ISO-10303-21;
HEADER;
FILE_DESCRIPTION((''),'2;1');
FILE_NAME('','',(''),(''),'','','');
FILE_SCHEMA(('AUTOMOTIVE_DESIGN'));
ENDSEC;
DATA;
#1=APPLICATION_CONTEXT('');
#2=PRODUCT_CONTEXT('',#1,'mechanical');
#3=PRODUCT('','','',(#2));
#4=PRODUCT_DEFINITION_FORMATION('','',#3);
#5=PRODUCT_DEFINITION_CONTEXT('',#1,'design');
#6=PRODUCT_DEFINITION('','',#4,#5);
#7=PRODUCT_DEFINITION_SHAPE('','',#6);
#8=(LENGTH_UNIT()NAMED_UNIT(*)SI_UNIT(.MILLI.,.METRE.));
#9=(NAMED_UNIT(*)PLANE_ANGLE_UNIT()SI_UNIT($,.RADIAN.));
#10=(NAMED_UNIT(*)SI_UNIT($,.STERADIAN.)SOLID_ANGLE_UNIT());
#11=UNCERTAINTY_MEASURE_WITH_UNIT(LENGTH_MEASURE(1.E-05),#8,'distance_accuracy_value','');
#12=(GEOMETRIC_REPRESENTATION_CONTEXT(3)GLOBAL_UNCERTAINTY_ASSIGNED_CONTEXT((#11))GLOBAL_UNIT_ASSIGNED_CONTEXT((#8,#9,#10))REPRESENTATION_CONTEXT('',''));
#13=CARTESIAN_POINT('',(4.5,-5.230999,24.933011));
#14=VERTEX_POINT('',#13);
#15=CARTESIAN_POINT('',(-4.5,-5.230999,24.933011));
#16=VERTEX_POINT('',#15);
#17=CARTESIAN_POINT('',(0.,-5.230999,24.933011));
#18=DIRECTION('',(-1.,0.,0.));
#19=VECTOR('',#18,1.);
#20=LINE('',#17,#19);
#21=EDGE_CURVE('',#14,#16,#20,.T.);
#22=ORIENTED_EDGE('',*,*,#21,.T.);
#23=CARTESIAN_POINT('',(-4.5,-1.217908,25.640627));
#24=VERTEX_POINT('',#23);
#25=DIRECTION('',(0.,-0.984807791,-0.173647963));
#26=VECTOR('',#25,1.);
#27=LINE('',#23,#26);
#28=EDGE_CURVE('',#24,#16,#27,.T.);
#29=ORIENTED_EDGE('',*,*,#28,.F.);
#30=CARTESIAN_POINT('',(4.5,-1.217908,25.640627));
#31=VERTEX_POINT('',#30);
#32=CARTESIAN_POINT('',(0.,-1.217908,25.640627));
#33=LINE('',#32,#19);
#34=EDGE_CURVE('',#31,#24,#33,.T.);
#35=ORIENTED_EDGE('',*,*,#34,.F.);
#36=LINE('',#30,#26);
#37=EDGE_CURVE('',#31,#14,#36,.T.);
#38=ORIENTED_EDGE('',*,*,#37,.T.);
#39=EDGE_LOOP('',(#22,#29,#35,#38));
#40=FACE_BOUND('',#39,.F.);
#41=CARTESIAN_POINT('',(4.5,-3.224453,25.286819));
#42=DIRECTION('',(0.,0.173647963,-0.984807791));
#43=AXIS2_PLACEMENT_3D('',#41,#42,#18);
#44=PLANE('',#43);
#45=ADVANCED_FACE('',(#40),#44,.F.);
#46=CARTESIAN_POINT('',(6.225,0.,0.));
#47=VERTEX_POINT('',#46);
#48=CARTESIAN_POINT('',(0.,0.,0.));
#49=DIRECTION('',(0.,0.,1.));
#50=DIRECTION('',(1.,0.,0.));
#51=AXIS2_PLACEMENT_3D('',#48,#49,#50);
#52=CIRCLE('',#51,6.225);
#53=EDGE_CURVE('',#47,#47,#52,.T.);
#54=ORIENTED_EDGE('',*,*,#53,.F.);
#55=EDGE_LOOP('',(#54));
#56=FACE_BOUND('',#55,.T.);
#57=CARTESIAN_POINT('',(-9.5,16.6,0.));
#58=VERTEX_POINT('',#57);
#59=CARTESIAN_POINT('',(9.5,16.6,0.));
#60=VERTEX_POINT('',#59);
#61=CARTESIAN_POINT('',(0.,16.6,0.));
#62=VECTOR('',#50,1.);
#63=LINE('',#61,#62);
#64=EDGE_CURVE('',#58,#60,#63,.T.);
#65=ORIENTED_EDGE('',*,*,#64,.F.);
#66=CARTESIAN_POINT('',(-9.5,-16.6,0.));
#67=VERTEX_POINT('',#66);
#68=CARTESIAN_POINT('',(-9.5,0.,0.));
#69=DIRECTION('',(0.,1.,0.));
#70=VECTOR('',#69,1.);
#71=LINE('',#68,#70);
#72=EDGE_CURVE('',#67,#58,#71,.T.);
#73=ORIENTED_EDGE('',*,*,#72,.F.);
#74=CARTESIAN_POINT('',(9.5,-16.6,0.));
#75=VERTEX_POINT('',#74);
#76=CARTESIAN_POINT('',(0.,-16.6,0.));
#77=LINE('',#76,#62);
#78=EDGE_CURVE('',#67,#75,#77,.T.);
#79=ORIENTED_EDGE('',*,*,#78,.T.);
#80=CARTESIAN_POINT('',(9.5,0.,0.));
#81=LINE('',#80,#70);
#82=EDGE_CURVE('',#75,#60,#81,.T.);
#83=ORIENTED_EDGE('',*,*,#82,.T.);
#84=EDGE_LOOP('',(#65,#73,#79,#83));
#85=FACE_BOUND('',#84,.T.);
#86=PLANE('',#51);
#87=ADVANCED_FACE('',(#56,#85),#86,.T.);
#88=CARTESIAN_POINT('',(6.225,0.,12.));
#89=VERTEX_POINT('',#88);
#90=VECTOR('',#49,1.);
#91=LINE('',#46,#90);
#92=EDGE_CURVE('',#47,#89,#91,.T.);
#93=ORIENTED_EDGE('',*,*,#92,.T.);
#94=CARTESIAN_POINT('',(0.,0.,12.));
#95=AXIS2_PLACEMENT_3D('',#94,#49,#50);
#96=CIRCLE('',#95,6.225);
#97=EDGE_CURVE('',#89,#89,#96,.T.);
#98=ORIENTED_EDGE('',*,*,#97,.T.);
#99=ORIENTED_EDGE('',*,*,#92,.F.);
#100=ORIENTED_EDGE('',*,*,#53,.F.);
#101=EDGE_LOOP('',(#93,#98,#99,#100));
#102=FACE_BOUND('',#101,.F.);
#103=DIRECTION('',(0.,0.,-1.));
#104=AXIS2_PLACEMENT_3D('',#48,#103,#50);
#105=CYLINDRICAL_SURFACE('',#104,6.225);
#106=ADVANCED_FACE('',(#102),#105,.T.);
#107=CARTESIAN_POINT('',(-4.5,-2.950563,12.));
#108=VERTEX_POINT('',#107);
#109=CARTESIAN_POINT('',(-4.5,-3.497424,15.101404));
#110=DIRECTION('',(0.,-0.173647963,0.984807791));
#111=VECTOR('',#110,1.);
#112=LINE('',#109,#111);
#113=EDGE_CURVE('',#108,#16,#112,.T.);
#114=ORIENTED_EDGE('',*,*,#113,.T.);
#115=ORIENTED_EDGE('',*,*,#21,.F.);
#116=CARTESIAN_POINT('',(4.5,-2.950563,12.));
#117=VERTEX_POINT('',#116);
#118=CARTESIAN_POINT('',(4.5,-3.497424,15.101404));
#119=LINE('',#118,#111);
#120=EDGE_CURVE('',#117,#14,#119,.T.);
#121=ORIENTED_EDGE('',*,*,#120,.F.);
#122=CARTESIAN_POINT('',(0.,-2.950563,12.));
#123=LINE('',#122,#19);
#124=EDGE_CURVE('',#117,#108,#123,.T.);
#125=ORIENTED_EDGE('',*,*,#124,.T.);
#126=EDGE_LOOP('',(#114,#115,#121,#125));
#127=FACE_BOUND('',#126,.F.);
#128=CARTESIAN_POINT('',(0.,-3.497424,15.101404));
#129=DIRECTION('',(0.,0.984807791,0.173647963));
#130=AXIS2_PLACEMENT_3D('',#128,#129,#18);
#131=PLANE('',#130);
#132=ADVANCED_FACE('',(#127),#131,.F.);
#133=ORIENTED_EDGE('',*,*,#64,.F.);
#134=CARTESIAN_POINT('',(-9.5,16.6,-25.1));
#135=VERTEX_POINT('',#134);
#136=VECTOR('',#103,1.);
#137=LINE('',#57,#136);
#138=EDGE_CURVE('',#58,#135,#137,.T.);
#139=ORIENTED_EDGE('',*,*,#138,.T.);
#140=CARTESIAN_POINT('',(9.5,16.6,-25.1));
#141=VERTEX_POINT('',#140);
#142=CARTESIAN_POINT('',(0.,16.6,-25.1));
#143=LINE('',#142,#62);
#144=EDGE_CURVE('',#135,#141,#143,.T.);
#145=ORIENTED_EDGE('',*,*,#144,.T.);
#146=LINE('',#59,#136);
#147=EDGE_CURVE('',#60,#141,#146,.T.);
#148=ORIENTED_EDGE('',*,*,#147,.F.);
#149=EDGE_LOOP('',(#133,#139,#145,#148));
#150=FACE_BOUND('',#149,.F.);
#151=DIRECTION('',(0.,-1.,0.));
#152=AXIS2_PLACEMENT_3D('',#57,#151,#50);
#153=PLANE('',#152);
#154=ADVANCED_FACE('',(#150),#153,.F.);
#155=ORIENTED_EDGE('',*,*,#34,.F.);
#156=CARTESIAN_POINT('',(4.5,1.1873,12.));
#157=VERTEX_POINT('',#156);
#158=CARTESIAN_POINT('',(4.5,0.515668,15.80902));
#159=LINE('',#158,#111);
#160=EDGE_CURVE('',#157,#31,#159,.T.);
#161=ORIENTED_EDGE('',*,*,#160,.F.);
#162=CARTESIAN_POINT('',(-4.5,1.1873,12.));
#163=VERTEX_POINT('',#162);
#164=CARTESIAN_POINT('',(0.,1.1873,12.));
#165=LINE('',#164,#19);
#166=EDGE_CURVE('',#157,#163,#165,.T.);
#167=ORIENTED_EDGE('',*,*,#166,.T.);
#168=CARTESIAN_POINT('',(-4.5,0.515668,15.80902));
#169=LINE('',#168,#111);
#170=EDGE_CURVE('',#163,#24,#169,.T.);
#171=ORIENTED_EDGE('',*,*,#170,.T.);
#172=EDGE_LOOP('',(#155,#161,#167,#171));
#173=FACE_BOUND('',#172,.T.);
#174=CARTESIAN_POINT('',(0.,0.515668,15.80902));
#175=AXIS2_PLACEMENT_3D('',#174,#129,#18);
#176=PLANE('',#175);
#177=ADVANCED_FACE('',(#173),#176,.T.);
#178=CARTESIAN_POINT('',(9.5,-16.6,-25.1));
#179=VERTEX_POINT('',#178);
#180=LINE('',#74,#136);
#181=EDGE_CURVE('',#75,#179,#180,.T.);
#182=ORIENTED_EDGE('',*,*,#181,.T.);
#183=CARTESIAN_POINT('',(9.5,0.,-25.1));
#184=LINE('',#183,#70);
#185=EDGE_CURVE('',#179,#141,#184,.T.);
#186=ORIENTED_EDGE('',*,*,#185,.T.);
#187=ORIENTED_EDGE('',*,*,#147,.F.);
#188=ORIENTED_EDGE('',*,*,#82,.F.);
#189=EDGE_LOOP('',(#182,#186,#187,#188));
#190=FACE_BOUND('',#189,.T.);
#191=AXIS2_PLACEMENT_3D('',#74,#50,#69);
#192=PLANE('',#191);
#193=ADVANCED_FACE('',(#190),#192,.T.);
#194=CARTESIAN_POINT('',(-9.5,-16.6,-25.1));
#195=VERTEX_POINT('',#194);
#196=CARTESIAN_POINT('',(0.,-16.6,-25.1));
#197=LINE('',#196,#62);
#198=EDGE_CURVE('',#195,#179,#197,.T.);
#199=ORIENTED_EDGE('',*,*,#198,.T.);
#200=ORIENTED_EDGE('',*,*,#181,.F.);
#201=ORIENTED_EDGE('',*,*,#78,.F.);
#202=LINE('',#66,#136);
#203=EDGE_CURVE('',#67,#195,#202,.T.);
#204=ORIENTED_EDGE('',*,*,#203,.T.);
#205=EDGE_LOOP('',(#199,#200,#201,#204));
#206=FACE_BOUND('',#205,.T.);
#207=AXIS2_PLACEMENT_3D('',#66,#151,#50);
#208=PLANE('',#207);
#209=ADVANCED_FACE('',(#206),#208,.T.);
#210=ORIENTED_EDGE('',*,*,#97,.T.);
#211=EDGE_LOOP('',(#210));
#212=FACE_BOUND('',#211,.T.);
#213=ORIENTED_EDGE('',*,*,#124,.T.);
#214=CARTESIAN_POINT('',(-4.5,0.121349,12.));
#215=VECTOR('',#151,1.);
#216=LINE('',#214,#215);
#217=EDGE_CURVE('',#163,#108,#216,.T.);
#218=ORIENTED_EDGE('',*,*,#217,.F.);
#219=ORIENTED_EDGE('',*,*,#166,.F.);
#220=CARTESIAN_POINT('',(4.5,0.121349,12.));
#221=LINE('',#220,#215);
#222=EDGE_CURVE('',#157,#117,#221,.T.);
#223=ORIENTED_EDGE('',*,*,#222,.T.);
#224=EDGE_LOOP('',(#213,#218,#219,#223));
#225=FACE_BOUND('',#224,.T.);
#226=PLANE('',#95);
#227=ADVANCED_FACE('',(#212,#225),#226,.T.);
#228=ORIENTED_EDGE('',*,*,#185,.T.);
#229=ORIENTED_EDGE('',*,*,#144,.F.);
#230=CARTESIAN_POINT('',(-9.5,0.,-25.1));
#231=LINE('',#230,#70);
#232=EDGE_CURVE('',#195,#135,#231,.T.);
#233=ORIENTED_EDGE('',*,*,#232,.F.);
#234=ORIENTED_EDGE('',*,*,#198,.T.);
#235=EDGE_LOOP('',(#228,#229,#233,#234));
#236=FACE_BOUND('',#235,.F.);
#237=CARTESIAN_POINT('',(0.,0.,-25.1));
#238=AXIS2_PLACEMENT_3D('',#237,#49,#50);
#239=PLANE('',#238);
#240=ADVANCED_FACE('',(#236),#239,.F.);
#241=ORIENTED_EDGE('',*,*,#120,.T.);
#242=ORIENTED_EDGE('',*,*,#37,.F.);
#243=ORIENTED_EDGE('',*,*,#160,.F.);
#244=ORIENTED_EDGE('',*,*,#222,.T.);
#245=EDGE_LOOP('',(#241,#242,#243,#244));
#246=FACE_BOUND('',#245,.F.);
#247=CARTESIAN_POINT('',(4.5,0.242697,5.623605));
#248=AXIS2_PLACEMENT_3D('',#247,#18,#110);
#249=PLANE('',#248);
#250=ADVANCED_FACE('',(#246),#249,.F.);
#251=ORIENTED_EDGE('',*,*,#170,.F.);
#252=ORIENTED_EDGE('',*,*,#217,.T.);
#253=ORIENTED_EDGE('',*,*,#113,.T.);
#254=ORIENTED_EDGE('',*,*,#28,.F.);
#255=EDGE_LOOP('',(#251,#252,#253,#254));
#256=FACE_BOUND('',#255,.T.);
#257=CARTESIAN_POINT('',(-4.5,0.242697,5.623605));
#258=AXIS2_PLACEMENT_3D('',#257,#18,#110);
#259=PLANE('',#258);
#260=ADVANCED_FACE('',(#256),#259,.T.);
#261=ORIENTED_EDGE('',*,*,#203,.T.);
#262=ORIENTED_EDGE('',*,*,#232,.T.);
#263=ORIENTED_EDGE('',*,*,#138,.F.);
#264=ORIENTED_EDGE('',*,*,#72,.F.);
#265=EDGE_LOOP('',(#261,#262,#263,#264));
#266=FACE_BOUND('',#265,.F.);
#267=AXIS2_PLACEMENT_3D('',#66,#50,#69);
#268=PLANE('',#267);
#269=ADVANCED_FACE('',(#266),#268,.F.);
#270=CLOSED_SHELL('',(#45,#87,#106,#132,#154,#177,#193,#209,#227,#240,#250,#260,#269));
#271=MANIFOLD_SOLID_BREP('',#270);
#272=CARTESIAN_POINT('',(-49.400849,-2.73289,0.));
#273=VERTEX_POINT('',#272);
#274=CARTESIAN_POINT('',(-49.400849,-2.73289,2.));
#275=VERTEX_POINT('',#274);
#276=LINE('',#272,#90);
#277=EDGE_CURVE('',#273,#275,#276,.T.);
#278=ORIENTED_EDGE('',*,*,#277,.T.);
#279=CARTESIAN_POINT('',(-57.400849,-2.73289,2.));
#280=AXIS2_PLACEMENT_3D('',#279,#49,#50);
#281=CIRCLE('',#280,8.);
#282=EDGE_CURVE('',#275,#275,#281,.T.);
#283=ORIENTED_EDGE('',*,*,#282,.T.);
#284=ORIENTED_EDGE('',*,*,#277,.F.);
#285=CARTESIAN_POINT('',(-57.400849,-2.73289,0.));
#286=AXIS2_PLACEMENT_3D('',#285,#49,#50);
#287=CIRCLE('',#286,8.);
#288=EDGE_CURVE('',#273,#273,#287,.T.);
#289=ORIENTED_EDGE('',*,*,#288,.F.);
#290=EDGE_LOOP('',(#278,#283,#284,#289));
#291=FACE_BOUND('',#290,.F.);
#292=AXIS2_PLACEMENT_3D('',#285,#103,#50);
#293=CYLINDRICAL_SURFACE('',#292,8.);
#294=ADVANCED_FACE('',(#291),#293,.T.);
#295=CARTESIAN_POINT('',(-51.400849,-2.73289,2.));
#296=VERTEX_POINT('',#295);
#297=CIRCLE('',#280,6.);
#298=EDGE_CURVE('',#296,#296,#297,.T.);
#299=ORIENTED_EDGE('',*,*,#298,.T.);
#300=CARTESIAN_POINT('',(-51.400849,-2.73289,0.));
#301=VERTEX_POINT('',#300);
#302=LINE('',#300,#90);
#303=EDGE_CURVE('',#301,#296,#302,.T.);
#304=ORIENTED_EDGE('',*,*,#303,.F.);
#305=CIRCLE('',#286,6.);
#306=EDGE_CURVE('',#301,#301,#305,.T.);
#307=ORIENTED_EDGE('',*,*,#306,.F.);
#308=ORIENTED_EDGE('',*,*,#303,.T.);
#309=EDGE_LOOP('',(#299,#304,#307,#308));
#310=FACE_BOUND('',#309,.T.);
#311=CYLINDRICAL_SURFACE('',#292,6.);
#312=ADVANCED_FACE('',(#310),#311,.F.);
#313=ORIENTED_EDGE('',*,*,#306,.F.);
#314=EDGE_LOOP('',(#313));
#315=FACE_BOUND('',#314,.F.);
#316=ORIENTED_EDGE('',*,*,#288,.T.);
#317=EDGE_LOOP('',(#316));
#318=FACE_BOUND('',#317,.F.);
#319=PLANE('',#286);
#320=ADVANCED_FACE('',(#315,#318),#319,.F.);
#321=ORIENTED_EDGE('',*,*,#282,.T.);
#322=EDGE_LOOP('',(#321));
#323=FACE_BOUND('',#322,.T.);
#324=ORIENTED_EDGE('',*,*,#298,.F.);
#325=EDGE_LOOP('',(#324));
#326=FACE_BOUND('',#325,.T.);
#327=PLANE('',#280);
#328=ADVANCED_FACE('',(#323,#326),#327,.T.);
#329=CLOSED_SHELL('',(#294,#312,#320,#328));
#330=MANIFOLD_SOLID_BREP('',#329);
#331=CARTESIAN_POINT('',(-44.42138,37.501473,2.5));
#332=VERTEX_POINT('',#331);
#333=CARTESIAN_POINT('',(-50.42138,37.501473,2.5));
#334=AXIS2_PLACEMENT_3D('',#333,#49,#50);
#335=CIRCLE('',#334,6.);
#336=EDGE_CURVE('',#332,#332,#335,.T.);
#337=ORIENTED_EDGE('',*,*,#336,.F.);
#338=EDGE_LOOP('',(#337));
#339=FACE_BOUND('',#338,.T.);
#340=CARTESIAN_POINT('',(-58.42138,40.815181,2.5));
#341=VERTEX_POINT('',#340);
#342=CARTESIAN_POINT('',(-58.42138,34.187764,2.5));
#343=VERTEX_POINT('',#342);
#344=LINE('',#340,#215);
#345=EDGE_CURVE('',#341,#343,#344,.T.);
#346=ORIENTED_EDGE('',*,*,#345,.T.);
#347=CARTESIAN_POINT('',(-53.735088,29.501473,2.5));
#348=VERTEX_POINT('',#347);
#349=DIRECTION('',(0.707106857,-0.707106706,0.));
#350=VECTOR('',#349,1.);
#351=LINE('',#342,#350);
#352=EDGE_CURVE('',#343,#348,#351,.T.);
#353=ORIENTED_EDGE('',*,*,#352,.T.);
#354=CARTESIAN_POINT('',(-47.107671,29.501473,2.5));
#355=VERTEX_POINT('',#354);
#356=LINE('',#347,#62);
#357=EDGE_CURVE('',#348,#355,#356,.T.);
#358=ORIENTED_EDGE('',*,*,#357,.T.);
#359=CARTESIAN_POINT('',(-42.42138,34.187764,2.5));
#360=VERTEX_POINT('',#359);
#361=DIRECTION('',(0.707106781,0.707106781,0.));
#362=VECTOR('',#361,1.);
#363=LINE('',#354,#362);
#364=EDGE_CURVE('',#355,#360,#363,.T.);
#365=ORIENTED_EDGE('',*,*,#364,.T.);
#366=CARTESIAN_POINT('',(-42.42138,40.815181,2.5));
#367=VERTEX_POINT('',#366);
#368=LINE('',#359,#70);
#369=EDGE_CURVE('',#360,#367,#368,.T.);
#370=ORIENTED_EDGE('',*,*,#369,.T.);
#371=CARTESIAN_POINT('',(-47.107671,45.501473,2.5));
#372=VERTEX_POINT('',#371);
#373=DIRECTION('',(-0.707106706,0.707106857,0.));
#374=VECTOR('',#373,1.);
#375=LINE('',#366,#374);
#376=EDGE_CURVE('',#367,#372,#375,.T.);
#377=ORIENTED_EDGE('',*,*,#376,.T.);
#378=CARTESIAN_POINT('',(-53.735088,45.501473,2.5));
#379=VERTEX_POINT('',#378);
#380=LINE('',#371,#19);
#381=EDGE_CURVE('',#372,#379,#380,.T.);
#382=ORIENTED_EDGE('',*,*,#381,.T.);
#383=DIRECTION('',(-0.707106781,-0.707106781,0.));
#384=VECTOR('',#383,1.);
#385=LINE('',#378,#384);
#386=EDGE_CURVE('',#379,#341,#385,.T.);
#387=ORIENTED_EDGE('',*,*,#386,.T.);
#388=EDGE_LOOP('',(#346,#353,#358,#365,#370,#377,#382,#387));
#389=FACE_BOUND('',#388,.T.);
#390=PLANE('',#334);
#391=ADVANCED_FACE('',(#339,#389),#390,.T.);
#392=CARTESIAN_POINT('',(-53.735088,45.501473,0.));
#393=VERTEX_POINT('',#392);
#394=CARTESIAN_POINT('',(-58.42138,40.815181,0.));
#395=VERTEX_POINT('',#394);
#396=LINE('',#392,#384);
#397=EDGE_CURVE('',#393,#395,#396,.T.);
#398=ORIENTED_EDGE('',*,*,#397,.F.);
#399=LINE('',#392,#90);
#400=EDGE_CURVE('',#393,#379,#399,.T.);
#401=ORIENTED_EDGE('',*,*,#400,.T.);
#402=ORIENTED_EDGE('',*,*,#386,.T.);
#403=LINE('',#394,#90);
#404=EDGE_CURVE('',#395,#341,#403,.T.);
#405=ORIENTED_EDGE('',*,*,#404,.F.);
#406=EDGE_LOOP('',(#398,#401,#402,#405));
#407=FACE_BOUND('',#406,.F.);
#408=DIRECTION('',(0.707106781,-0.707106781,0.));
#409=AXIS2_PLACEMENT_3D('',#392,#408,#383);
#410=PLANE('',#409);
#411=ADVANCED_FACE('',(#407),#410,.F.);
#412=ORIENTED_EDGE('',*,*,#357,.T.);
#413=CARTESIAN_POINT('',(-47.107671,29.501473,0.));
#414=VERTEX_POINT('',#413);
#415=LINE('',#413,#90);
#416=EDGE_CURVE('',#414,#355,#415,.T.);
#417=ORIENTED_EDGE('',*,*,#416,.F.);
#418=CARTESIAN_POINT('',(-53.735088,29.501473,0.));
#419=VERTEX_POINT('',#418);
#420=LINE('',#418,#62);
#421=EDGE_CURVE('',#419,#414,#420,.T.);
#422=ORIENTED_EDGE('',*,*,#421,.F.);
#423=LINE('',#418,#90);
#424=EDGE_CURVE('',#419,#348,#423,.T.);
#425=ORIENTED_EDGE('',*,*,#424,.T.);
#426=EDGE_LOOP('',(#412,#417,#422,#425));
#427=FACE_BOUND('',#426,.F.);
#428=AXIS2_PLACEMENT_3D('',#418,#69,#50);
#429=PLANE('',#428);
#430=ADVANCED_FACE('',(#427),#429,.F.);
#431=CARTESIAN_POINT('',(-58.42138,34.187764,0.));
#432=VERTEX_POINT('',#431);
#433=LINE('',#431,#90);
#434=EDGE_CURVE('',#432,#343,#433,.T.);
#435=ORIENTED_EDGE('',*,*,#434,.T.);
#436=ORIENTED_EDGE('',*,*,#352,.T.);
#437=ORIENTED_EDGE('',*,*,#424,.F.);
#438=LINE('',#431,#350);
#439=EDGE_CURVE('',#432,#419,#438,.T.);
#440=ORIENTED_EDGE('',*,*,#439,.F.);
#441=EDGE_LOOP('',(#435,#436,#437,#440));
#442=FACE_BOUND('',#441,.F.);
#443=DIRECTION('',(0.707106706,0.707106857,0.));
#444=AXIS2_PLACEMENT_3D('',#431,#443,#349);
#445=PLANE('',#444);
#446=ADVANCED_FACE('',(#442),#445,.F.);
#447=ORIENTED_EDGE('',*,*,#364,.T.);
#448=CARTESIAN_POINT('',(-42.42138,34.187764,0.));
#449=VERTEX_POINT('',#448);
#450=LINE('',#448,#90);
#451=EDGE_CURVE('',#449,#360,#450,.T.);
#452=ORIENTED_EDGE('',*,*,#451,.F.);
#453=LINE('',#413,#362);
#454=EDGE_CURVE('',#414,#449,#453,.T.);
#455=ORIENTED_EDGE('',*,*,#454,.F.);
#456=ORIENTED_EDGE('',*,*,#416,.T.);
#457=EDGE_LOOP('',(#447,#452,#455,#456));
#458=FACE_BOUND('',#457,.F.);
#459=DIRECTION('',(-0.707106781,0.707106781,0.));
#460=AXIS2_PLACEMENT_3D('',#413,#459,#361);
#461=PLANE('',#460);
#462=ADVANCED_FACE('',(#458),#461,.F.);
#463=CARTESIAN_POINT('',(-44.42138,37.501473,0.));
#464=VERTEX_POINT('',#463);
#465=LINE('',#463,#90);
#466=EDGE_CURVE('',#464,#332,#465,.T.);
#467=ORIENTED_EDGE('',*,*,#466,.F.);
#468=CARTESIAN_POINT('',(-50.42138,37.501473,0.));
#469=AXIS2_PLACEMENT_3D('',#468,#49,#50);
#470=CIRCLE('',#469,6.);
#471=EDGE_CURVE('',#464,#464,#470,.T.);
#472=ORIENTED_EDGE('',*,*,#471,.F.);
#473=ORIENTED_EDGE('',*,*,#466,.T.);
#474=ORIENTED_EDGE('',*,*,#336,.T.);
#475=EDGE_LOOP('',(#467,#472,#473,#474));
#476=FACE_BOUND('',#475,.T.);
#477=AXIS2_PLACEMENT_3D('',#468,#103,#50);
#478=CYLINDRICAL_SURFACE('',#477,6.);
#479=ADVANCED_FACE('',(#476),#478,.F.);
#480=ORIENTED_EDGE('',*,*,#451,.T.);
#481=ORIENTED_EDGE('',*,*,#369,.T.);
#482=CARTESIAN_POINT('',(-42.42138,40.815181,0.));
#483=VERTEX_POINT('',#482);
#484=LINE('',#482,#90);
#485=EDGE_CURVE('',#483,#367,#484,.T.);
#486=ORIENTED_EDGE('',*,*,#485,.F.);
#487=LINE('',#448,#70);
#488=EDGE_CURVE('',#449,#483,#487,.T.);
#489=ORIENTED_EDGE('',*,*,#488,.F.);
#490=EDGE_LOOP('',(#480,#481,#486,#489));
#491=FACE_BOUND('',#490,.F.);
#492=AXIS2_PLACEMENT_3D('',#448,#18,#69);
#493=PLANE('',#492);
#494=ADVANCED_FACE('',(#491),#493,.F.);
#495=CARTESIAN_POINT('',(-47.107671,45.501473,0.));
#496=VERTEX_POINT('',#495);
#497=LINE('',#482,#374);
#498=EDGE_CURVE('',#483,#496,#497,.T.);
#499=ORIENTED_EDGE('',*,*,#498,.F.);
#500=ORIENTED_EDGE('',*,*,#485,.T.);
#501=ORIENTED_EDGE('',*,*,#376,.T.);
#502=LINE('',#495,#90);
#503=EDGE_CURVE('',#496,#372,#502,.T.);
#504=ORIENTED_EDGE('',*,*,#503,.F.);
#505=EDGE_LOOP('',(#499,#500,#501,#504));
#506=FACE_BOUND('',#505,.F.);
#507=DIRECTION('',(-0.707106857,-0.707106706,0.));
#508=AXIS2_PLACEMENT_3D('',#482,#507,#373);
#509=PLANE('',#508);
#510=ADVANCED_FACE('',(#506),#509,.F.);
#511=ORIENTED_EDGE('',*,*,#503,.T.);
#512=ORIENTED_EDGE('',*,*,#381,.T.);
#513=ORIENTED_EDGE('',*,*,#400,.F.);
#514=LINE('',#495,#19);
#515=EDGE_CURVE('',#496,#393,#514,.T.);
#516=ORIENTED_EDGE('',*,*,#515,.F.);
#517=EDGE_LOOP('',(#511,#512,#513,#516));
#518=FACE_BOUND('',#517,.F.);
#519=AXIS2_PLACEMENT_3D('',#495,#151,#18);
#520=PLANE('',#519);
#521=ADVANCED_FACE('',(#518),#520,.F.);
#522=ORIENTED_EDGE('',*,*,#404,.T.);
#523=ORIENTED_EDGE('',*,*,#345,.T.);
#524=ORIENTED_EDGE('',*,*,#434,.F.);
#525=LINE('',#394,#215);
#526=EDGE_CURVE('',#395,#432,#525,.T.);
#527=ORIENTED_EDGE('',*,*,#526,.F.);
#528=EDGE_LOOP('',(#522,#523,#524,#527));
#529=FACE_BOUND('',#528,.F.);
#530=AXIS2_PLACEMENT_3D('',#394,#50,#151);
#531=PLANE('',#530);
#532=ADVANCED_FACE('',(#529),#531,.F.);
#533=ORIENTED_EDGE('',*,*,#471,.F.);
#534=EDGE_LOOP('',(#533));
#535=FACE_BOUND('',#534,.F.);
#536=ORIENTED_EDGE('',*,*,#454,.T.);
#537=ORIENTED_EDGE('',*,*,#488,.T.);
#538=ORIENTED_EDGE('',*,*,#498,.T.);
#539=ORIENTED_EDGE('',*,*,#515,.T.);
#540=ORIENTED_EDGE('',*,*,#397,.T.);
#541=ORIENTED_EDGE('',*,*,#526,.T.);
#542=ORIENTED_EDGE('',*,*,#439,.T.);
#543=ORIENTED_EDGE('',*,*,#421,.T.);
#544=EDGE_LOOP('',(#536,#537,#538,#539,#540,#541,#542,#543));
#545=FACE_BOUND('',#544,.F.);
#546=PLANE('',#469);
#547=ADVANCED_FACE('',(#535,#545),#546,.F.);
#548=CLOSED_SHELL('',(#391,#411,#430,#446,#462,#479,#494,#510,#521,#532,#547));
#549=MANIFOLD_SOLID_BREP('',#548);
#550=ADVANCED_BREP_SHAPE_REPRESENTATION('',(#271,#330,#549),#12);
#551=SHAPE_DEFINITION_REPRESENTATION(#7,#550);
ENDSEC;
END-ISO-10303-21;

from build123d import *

# Parameters (mm, degrees)
F0_W      = 19
F0_H      = 33.2
F1_DEPTH  = 25.1
F2_R      = 6.225
F3_DEPTH  = 12
F7_W      = 9
F7_H      = 19.96655
F8_DEPTH  = 2.0375
F9_R      = 8
F9_R_2    = 6
F10_DEPTH = 2
F11_DEPTH = 2.5


with BuildPart() as f1:
    # F0 (on Top) → F1 (new body)
    with BuildSketch(Plane.XY):
        Rectangle(F0_W, F0_H)
    extrude(amount=-F1_DEPTH)

    # F2 (on Top) → F3 (join)
    with BuildSketch(Plane.XY):
        Circle(F2_R)
    extrude(amount=F3_DEPTH)

    # F7 (on face) → F8 (join, symmetric)
    with BuildSketch(Plane(origin=(0, 1.197071, 0.211076), x_dir=(-1, 0, 0), z_dir=(0, 0.984808, 0.173648))):
        with Locations((0, 15.479301)):
            Rectangle(F7_W, F7_H)
    extrude(amount=F8_DEPTH, both=True)


with BuildPart() as f10:
    # F9 (on Top) → F10 (new body)
    with BuildSketch(Plane.XY):
        with Locations((-57.400849, -2.73289)):
            Circle(F9_R)
        with Locations((-57.400849, -2.73289)):
            Circle(F9_R_2, mode=Mode.SUBTRACT)
    extrude(amount=F10_DEPTH)


with BuildPart() as f11:
    # F9 (on Top) → F11 (new body)
    with BuildSketch(Plane.XY):
        Polygon((-47.107671, 45.501473), (-53.735088, 45.501473), (-58.42138, 40.815181), (-58.42138, 34.187764), (-53.735088, 29.501473), (-47.107671, 29.501473), (-42.42138, 34.187764), (-42.42138, 40.815181), align=None)
        with Locations((-50.42138, 37.501473)):
            Circle(F9_R_2, mode=Mode.SUBTRACT)
    extrude(amount=F11_DEPTH)


solid = Compound([f1.part, f10.part, f11.part])
